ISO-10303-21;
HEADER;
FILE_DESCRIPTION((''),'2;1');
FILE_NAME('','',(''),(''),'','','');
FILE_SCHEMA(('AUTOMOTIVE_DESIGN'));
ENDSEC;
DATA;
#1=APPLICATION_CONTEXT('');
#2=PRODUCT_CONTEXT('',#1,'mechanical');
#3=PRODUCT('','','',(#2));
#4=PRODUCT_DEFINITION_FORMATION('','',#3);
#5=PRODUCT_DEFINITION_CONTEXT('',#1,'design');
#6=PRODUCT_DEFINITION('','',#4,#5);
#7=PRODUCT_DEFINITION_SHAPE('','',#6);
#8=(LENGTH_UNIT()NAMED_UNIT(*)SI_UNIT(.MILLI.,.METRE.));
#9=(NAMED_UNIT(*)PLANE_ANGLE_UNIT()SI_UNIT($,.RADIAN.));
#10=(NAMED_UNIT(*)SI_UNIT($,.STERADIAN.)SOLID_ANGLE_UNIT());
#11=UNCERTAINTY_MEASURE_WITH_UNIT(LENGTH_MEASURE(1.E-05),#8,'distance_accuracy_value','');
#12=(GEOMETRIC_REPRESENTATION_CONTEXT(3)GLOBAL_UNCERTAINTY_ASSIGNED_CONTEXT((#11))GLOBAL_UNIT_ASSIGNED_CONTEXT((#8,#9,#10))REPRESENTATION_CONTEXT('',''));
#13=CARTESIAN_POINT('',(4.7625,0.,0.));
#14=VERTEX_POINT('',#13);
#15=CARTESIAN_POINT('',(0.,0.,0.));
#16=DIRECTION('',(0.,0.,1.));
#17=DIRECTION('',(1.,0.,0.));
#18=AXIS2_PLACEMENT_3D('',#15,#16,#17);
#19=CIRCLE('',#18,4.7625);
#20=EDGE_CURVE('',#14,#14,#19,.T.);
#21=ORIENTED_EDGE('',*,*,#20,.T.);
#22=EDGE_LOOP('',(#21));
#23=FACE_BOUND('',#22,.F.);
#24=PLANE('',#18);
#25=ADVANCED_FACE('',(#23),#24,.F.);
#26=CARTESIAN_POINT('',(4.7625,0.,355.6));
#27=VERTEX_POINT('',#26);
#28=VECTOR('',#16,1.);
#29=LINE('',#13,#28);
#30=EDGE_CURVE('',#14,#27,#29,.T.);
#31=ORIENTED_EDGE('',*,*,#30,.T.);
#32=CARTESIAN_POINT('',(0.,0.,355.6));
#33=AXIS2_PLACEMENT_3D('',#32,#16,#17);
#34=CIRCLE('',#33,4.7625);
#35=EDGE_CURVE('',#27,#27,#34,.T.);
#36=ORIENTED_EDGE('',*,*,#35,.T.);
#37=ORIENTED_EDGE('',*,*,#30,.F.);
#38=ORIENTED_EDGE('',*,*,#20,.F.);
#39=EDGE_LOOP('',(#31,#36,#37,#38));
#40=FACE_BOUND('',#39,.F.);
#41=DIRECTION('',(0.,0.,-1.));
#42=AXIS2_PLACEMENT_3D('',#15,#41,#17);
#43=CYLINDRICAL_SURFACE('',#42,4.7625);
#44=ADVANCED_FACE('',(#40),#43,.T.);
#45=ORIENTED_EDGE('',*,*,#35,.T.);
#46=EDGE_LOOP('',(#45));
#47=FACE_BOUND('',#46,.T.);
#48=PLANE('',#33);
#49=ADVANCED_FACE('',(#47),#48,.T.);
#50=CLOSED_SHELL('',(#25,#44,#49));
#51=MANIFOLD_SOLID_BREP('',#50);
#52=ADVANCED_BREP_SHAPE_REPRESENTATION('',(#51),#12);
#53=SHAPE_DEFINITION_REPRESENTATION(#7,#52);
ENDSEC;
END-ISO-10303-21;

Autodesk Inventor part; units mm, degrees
ref_plane "YZ Plane" through (0, 0, 0) normal (1, 0, 0) x (0, 1, 0)
ref_plane "XZ Plane" through (0, 0, 0) normal (0, 1, 0) x (-1, 0, 0)
ref_plane "XY Plane" through (0, 0, 0) normal (0, 0, 1) x (1, 0, 0)
sketch "Sketch1" plane through (0, 0, 0) normal (0, 0, 1) x (1, 0, 0)
  circle A0 centre (0, 0) radius 4.7625
  dimension "d0" = 9.525
extrude "Extrusion1" add sketch "Sketch1" along normal blind 355.6
properties part number "shaft"
